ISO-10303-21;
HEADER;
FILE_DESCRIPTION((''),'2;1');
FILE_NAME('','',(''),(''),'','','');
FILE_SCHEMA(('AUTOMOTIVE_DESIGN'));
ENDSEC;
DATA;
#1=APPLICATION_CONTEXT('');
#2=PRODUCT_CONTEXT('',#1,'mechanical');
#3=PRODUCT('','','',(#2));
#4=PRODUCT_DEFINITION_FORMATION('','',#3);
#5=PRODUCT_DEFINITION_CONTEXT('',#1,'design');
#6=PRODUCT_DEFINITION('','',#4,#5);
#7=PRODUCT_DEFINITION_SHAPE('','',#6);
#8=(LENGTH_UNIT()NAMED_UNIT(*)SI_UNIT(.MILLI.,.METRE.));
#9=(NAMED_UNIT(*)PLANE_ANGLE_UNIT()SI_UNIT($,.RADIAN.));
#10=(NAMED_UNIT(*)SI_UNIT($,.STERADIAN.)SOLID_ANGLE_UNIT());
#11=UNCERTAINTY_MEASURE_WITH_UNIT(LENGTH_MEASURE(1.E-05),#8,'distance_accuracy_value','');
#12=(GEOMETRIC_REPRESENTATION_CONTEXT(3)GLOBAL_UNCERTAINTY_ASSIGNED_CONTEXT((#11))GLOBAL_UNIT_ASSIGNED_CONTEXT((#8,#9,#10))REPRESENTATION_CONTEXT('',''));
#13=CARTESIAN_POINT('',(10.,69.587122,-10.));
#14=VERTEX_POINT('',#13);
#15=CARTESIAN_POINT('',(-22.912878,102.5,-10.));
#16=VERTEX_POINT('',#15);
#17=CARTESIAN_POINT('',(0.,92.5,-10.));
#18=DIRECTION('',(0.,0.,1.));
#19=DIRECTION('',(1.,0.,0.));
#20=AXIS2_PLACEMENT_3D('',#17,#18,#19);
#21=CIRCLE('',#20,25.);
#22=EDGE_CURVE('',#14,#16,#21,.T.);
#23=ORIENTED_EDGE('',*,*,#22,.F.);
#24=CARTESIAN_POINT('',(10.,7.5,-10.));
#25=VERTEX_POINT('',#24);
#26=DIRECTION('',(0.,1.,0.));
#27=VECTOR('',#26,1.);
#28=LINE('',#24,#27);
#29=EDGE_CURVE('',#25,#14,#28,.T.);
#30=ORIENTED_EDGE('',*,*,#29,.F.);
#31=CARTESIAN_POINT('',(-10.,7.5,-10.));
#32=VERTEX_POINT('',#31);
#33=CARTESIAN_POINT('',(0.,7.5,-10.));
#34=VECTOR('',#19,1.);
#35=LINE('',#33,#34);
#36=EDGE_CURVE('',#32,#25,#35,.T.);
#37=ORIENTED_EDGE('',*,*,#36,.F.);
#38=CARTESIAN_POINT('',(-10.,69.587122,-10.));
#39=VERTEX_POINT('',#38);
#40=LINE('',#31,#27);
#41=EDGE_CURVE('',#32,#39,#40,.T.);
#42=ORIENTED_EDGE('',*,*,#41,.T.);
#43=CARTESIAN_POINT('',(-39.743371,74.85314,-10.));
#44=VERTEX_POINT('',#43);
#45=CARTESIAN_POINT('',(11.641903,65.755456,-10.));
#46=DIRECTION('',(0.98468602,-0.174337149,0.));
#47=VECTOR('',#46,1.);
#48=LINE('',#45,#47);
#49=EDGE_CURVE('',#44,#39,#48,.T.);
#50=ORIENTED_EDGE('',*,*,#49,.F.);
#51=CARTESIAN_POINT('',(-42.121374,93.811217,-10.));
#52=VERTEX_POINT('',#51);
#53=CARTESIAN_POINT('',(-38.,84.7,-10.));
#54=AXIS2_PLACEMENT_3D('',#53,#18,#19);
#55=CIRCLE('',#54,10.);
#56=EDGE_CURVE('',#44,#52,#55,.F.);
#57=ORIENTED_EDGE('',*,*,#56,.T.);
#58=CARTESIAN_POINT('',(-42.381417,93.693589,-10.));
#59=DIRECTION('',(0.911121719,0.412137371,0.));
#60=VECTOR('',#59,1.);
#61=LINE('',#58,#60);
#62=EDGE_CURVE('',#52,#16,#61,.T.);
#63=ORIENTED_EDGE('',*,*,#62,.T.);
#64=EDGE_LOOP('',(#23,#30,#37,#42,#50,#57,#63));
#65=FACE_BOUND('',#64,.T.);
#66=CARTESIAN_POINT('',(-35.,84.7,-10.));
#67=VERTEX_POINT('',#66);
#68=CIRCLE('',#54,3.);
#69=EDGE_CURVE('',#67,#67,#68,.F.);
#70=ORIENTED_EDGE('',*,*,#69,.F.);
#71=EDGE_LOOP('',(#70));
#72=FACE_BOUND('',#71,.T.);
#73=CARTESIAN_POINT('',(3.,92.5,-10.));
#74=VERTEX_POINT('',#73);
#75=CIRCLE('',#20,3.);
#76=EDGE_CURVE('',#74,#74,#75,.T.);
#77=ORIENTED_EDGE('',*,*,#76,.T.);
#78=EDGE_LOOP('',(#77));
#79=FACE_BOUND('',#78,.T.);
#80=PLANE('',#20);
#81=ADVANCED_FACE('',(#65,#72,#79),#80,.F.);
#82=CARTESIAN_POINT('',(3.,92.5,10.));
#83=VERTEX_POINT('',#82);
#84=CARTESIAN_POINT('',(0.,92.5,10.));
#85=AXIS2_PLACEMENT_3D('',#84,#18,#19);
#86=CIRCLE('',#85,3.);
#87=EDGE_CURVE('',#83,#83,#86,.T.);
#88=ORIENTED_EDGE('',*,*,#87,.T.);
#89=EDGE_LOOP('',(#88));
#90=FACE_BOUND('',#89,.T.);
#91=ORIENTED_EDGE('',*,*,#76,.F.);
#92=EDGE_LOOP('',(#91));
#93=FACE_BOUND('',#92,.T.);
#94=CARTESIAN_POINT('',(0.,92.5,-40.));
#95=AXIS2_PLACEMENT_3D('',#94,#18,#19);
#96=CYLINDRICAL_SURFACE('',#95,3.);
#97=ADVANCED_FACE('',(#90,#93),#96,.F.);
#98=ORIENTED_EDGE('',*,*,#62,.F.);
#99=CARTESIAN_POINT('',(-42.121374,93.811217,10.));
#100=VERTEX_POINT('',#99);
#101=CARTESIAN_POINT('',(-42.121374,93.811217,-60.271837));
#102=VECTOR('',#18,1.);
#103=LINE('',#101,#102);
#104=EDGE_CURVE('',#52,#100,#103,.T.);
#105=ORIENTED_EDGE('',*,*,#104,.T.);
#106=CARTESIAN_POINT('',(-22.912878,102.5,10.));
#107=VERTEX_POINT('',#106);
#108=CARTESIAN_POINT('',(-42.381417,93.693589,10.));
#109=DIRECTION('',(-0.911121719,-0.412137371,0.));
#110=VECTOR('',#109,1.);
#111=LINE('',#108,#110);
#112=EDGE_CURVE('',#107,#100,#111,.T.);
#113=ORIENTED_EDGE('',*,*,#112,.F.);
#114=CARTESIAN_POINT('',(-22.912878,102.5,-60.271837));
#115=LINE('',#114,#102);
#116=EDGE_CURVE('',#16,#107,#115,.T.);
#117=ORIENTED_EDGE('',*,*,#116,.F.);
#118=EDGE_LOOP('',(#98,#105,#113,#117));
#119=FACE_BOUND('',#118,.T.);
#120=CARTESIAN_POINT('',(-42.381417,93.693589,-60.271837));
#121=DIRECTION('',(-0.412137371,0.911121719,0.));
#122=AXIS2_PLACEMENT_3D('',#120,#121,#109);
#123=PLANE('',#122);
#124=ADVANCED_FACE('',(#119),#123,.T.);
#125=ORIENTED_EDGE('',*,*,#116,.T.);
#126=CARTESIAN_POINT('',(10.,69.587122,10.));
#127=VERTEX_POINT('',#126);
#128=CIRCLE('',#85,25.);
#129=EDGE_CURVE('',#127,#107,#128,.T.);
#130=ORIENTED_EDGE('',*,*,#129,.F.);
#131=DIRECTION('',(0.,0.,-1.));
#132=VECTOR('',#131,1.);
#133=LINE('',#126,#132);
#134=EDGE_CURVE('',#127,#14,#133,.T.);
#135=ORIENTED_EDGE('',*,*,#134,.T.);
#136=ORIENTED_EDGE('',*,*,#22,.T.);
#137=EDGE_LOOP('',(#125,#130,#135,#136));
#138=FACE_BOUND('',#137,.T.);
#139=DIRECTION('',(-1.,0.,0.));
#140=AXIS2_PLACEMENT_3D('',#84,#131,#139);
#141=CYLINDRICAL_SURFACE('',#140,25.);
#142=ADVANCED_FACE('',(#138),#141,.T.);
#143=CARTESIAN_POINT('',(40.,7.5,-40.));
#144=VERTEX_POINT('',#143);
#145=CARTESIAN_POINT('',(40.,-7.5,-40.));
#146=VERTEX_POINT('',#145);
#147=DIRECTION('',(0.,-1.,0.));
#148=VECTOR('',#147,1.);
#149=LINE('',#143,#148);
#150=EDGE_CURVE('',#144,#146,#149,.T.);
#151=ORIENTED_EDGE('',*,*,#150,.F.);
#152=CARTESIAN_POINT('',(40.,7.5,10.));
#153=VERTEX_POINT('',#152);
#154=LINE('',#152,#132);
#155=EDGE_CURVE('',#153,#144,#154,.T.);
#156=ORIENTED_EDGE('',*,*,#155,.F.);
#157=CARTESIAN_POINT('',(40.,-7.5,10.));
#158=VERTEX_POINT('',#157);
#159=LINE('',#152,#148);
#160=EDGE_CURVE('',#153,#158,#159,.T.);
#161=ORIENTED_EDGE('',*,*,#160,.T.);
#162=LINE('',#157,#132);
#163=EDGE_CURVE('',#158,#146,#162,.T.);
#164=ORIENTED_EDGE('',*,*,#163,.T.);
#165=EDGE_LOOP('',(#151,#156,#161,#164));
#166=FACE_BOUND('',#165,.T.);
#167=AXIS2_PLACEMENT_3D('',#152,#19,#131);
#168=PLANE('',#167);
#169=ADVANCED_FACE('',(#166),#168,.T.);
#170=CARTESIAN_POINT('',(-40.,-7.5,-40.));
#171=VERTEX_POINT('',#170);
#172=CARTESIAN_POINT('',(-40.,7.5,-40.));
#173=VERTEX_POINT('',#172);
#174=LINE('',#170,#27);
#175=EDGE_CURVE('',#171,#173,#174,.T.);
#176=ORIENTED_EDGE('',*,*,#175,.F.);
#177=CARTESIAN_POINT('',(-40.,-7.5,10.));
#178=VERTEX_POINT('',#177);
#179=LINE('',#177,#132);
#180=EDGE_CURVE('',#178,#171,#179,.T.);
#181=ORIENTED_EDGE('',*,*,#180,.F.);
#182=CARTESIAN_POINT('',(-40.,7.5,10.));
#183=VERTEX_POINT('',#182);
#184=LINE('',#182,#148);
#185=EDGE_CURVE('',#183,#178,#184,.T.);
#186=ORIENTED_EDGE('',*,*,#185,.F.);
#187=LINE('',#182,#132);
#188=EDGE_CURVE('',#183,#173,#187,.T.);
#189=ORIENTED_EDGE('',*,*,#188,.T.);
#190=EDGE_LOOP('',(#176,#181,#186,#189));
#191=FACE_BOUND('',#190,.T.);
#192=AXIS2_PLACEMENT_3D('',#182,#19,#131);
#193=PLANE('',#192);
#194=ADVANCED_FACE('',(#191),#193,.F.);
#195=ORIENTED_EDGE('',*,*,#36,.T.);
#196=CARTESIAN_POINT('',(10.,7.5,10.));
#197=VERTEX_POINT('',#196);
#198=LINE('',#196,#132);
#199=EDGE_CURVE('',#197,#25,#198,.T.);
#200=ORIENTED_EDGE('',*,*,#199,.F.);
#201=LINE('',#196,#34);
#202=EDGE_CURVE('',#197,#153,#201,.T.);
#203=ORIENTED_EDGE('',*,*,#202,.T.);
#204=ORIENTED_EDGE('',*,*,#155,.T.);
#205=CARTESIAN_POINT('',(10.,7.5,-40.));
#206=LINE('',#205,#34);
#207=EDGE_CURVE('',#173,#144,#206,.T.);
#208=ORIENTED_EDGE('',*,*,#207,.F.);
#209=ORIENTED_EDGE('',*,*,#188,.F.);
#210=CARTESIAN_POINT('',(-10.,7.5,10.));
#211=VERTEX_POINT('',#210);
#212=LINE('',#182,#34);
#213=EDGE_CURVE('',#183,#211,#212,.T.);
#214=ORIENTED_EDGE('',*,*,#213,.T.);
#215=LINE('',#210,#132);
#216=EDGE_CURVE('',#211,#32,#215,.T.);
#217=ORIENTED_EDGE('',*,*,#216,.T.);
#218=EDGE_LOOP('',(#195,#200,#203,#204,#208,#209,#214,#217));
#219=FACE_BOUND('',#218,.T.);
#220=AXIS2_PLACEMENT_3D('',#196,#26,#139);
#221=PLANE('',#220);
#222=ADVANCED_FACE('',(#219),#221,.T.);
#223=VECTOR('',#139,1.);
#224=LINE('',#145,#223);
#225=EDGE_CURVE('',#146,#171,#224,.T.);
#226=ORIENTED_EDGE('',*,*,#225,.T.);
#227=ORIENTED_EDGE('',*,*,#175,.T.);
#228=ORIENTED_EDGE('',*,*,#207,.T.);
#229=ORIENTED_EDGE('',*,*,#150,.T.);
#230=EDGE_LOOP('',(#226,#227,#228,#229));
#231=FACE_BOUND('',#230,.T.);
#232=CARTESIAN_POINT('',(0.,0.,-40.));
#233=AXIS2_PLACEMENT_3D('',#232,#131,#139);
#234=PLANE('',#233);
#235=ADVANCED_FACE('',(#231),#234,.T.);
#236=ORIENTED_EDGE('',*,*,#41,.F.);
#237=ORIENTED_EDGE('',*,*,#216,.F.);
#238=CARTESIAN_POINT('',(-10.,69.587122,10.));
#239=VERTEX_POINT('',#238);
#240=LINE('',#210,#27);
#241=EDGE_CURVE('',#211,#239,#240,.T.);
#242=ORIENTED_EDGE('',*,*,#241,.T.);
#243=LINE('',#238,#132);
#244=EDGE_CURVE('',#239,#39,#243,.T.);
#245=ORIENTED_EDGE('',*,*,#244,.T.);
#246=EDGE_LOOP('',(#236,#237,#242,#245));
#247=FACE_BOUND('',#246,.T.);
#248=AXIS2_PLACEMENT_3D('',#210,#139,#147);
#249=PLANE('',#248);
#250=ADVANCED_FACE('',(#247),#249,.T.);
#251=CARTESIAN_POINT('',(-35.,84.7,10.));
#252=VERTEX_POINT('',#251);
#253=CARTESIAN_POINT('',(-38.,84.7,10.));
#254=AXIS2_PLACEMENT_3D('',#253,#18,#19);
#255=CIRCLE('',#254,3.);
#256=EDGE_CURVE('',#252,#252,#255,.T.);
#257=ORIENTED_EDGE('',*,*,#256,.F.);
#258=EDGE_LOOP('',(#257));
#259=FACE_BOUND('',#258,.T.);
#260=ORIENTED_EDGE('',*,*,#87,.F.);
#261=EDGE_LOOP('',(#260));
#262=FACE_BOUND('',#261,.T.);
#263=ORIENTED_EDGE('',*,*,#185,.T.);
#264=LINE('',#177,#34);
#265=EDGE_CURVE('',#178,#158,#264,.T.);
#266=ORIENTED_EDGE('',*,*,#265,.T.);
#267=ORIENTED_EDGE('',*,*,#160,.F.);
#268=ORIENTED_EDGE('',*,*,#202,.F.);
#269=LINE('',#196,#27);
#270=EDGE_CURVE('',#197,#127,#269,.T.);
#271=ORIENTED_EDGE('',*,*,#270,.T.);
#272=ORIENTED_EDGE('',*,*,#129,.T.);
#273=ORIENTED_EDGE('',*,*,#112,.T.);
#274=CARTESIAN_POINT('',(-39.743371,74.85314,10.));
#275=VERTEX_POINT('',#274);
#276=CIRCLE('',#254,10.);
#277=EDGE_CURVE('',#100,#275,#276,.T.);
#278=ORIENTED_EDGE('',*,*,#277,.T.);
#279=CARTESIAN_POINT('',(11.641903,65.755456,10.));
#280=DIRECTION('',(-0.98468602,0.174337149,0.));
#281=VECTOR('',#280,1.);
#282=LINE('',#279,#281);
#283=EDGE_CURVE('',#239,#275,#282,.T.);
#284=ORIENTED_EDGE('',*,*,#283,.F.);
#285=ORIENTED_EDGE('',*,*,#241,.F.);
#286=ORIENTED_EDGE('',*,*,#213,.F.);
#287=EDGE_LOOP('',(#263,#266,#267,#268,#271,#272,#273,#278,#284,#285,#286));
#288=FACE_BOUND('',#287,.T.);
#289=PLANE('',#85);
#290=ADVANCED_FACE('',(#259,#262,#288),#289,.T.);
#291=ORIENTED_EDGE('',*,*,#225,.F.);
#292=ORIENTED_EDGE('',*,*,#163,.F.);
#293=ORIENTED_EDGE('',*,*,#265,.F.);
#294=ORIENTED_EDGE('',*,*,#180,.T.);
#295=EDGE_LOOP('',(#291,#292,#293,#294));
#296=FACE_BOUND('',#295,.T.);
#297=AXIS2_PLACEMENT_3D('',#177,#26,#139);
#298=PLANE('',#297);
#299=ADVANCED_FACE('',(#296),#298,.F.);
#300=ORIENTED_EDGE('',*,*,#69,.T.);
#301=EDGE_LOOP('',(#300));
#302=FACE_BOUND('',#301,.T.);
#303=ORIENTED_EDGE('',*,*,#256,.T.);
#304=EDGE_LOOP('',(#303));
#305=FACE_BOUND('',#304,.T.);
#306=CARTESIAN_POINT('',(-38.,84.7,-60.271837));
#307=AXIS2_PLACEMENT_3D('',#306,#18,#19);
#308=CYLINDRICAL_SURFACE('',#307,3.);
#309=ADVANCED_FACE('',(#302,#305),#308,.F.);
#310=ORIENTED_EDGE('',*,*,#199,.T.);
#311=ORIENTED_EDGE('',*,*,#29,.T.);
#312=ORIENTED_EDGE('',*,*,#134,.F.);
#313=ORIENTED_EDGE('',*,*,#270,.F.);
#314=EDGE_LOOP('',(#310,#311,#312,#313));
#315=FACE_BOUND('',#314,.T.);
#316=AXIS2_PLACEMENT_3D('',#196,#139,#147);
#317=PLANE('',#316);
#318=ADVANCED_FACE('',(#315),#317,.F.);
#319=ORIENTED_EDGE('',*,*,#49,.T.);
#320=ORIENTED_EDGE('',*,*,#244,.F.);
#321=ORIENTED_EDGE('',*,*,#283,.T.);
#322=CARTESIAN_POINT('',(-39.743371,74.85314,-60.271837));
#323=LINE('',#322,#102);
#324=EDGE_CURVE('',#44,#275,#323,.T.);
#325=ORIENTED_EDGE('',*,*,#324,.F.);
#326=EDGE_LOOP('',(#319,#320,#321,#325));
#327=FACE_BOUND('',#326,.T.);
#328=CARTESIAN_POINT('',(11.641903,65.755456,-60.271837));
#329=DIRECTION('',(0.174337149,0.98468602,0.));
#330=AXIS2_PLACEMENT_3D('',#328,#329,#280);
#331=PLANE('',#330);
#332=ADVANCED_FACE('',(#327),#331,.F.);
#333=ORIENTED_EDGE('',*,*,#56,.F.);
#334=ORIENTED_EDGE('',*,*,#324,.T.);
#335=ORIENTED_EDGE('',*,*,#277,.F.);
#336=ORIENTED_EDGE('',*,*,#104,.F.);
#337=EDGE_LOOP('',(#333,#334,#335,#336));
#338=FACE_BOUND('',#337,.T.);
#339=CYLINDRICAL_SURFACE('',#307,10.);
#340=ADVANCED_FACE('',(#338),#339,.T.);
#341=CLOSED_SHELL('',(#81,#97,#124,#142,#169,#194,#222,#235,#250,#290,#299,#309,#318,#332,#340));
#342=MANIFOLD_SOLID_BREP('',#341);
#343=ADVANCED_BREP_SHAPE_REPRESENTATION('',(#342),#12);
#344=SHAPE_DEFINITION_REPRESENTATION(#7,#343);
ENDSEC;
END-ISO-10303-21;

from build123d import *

# Parameters (mm, degrees)
BOSS_EXTRUDE1_DEPTH = 10
BOSS_EXTRUDE2_DEPTH = 40
SKETCH3_R           = 3
CUT_EXTRUDE1_DEPTH  = 134.814236911
SKETCH4_R           = 3
BOSS_EXTRUDE4_DEPTH = 20


with BuildPart() as part:
    # Sketch1 → Boss-Extrude1 (new, symmetric)
    with BuildSketch(Plane.XY):
        with BuildLine():
            Line((-40, 7.5), (-10, 7.5))
            Line((-10, 7.5), (-10, 69.587121525))
            ThreePointArc((-10, 69.587121525), (0, 117.5), (10, 69.587121525))
            Line((10, 69.587121525), (10, 7.5))
            Line((10, 7.5), (40, 7.5))
            Line((40, 7.5), (40, -7.5))
            Line((40, -7.5), (-40, -7.5))
            Line((-40, -7.5), (-40, 7.5))
        make_face()
    extrude(amount=BOSS_EXTRUDE1_DEPTH, both=True)

    # Sketch2 → Boss-Extrude2 (add)
    with BuildSketch(Plane(origin=(0, 0, 0), x_dir=(-1, 0, 0), z_dir=(0, 0, -1))):
        Polygon((-10, 7.5), (10, 7.5), (40, 7.5), (40, -7.5), (-40, -7.5), (-40, 7.5), align=None)
    extrude(amount=BOSS_EXTRUDE2_DEPTH)

    # Sketch3 → Cut-Extrude1 (cut, through all)
    with BuildSketch(Plane.XY.offset(10)):
        with Locations((0, 92.5)):
            Circle(SKETCH3_R)
    extrude(amount=-CUT_EXTRUDE1_DEPTH, mode=Mode.SUBTRACT)

    # Sketch4 → Boss-Extrude4 (add)
    with BuildSketch(Plane.XY.offset(10)):
        with BuildLine():
            ThreePointArc((-10, 69.587121525), (-23.272919558, 83.369216066), (-22.912878475, 102.5))
            Line((-22.912878475, 102.5), (-42.121373711, 93.811217193))
            ThreePointArc((-42.121373711, 93.811217193), (-47.922246908, 83.455405164), (-39.743371486, 74.853139797))
            Line((-39.743371486, 74.853139797), (-10, 69.587121525))
        make_face()
        with Locations((-38, 84.7)):
            Circle(SKETCH4_R, mode=Mode.SUBTRACT)
    extrude(amount=-BOSS_EXTRUDE4_DEPTH)


solid = part.part
